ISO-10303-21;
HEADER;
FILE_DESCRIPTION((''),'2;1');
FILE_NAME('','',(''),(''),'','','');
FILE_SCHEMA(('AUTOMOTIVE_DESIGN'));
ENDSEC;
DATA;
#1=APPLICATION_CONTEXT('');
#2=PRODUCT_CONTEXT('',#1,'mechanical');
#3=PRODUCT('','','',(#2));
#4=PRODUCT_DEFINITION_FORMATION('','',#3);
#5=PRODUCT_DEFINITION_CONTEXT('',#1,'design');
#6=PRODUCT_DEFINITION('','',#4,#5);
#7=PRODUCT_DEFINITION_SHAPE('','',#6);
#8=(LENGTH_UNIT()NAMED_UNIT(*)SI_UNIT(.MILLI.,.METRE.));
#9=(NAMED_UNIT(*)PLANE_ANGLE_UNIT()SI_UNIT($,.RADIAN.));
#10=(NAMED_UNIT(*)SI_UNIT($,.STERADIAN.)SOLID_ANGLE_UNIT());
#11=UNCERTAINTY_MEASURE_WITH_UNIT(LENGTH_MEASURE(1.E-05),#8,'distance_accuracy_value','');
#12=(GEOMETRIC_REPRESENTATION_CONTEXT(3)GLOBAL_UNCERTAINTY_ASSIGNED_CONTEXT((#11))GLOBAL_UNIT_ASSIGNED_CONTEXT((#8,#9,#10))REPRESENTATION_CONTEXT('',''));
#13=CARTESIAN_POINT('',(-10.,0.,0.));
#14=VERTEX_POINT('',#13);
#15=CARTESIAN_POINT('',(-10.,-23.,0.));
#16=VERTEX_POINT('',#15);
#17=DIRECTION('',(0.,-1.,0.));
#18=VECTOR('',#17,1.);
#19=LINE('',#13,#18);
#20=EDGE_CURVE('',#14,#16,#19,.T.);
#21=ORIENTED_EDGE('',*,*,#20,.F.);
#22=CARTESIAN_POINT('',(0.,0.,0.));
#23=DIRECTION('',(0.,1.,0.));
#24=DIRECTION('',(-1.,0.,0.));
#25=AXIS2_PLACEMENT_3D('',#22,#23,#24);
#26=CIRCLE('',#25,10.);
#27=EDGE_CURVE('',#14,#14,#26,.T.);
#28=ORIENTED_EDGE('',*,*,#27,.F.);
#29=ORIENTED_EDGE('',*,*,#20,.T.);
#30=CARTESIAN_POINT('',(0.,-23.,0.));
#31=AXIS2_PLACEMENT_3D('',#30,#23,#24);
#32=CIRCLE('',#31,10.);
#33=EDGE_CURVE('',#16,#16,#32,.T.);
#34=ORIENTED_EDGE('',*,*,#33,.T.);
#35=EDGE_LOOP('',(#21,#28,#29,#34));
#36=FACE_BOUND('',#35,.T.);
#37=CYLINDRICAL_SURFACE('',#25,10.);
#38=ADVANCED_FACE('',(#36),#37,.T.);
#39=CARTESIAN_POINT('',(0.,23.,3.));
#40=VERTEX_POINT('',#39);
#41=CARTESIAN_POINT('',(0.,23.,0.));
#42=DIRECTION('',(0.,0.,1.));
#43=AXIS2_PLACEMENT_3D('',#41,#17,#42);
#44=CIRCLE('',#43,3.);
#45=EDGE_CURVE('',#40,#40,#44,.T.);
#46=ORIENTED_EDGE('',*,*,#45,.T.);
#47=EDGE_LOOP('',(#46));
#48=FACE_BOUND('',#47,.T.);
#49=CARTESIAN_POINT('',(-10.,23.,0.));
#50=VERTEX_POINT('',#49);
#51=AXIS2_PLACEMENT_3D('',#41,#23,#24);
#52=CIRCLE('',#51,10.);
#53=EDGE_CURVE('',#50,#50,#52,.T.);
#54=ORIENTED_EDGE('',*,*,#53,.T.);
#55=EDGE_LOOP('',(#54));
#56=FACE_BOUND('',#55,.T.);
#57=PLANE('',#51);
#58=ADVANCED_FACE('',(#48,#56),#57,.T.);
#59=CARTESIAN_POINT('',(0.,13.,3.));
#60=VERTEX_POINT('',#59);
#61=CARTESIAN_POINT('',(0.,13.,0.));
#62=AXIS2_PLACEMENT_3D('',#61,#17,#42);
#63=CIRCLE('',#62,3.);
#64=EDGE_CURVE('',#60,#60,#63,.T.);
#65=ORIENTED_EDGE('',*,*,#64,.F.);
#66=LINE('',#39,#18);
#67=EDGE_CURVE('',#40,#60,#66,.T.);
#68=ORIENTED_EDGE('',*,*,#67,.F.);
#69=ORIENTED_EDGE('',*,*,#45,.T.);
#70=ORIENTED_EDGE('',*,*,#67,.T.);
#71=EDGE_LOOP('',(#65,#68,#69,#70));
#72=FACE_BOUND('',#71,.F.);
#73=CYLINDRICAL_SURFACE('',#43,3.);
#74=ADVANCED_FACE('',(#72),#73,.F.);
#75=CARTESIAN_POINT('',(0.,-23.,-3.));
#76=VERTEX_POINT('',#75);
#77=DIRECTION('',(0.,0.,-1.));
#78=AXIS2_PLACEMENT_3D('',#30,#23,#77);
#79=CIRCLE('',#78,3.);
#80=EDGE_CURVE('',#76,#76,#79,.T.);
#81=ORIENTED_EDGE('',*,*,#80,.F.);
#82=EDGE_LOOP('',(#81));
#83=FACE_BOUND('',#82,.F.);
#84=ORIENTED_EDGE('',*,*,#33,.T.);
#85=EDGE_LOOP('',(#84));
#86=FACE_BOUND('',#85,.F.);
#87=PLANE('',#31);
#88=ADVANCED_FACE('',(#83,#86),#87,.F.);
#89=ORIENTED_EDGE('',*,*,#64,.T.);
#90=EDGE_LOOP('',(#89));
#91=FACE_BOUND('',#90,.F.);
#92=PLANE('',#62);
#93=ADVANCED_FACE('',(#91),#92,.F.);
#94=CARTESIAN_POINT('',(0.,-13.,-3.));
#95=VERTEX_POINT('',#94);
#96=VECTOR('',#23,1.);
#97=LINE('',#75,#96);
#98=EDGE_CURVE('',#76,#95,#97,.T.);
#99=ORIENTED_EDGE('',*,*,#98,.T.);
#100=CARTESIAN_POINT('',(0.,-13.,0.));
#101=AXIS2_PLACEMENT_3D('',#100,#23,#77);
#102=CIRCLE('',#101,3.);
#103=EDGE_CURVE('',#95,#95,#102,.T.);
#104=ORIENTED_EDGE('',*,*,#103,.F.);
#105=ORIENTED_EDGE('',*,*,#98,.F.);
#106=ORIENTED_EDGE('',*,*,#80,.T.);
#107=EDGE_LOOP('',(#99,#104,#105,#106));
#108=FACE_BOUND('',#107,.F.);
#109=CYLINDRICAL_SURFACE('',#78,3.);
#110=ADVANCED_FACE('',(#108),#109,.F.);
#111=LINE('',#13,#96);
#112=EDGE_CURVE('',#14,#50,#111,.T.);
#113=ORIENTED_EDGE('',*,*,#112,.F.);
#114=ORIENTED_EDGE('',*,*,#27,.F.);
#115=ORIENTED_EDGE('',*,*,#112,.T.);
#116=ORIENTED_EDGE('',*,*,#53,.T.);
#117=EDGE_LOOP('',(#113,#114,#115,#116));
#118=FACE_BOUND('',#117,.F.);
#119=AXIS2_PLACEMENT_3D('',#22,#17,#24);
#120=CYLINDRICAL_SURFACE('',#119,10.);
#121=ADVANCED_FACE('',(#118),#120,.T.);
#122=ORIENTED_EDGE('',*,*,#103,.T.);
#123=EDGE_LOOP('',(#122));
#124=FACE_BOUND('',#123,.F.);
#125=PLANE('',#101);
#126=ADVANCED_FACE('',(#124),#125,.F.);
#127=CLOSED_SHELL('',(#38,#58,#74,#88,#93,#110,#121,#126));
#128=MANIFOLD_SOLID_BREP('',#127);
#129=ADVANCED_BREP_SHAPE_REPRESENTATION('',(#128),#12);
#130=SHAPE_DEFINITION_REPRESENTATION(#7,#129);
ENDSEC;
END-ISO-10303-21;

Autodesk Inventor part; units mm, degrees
ref_plane "YZ Plane" through (0, 0, 0) normal (1, 0, 0) x (0, 1, 0)
ref_plane "XZ Plane" through (0, 0, 0) normal (0, 1, 0) x (-1, 0, 0)
ref_plane "XY Plane" through (0, 0, 0) normal (0, 0, 1) x (1, 0, 0)
sketch "Sketch1" plane through (0, 0, 0) normal (0, 1, 0) x (-1, 0, 0)
  circle A0 centre (0, 0) radius 10
  dimension "d0" = 20
extrude "Extrusion1" add sketch "Sketch1" along normal mid plane 46
sketch "Sketch2" plane through (0, 23, 0) normal (0, 1, 0) x (1, 0, 0)
  circle A0 centre (0, 0) radius 10 projected
hole "Hole1" at (0, 23, 0) direction (0, -1, 0) diameter 6 depth 10
sketch "Sketch3" plane through (0, -23, 0) normal (0, -1, 0) x (1, 0, 0)
  circle A0 centre (0, 0) radius 10 projected
hole "Hole2" at (0, -23, 0) direction (0, 1, 0) diameter 6 depth 10
properties part number "Pneumatics Connector" material "Stainless Steel"
